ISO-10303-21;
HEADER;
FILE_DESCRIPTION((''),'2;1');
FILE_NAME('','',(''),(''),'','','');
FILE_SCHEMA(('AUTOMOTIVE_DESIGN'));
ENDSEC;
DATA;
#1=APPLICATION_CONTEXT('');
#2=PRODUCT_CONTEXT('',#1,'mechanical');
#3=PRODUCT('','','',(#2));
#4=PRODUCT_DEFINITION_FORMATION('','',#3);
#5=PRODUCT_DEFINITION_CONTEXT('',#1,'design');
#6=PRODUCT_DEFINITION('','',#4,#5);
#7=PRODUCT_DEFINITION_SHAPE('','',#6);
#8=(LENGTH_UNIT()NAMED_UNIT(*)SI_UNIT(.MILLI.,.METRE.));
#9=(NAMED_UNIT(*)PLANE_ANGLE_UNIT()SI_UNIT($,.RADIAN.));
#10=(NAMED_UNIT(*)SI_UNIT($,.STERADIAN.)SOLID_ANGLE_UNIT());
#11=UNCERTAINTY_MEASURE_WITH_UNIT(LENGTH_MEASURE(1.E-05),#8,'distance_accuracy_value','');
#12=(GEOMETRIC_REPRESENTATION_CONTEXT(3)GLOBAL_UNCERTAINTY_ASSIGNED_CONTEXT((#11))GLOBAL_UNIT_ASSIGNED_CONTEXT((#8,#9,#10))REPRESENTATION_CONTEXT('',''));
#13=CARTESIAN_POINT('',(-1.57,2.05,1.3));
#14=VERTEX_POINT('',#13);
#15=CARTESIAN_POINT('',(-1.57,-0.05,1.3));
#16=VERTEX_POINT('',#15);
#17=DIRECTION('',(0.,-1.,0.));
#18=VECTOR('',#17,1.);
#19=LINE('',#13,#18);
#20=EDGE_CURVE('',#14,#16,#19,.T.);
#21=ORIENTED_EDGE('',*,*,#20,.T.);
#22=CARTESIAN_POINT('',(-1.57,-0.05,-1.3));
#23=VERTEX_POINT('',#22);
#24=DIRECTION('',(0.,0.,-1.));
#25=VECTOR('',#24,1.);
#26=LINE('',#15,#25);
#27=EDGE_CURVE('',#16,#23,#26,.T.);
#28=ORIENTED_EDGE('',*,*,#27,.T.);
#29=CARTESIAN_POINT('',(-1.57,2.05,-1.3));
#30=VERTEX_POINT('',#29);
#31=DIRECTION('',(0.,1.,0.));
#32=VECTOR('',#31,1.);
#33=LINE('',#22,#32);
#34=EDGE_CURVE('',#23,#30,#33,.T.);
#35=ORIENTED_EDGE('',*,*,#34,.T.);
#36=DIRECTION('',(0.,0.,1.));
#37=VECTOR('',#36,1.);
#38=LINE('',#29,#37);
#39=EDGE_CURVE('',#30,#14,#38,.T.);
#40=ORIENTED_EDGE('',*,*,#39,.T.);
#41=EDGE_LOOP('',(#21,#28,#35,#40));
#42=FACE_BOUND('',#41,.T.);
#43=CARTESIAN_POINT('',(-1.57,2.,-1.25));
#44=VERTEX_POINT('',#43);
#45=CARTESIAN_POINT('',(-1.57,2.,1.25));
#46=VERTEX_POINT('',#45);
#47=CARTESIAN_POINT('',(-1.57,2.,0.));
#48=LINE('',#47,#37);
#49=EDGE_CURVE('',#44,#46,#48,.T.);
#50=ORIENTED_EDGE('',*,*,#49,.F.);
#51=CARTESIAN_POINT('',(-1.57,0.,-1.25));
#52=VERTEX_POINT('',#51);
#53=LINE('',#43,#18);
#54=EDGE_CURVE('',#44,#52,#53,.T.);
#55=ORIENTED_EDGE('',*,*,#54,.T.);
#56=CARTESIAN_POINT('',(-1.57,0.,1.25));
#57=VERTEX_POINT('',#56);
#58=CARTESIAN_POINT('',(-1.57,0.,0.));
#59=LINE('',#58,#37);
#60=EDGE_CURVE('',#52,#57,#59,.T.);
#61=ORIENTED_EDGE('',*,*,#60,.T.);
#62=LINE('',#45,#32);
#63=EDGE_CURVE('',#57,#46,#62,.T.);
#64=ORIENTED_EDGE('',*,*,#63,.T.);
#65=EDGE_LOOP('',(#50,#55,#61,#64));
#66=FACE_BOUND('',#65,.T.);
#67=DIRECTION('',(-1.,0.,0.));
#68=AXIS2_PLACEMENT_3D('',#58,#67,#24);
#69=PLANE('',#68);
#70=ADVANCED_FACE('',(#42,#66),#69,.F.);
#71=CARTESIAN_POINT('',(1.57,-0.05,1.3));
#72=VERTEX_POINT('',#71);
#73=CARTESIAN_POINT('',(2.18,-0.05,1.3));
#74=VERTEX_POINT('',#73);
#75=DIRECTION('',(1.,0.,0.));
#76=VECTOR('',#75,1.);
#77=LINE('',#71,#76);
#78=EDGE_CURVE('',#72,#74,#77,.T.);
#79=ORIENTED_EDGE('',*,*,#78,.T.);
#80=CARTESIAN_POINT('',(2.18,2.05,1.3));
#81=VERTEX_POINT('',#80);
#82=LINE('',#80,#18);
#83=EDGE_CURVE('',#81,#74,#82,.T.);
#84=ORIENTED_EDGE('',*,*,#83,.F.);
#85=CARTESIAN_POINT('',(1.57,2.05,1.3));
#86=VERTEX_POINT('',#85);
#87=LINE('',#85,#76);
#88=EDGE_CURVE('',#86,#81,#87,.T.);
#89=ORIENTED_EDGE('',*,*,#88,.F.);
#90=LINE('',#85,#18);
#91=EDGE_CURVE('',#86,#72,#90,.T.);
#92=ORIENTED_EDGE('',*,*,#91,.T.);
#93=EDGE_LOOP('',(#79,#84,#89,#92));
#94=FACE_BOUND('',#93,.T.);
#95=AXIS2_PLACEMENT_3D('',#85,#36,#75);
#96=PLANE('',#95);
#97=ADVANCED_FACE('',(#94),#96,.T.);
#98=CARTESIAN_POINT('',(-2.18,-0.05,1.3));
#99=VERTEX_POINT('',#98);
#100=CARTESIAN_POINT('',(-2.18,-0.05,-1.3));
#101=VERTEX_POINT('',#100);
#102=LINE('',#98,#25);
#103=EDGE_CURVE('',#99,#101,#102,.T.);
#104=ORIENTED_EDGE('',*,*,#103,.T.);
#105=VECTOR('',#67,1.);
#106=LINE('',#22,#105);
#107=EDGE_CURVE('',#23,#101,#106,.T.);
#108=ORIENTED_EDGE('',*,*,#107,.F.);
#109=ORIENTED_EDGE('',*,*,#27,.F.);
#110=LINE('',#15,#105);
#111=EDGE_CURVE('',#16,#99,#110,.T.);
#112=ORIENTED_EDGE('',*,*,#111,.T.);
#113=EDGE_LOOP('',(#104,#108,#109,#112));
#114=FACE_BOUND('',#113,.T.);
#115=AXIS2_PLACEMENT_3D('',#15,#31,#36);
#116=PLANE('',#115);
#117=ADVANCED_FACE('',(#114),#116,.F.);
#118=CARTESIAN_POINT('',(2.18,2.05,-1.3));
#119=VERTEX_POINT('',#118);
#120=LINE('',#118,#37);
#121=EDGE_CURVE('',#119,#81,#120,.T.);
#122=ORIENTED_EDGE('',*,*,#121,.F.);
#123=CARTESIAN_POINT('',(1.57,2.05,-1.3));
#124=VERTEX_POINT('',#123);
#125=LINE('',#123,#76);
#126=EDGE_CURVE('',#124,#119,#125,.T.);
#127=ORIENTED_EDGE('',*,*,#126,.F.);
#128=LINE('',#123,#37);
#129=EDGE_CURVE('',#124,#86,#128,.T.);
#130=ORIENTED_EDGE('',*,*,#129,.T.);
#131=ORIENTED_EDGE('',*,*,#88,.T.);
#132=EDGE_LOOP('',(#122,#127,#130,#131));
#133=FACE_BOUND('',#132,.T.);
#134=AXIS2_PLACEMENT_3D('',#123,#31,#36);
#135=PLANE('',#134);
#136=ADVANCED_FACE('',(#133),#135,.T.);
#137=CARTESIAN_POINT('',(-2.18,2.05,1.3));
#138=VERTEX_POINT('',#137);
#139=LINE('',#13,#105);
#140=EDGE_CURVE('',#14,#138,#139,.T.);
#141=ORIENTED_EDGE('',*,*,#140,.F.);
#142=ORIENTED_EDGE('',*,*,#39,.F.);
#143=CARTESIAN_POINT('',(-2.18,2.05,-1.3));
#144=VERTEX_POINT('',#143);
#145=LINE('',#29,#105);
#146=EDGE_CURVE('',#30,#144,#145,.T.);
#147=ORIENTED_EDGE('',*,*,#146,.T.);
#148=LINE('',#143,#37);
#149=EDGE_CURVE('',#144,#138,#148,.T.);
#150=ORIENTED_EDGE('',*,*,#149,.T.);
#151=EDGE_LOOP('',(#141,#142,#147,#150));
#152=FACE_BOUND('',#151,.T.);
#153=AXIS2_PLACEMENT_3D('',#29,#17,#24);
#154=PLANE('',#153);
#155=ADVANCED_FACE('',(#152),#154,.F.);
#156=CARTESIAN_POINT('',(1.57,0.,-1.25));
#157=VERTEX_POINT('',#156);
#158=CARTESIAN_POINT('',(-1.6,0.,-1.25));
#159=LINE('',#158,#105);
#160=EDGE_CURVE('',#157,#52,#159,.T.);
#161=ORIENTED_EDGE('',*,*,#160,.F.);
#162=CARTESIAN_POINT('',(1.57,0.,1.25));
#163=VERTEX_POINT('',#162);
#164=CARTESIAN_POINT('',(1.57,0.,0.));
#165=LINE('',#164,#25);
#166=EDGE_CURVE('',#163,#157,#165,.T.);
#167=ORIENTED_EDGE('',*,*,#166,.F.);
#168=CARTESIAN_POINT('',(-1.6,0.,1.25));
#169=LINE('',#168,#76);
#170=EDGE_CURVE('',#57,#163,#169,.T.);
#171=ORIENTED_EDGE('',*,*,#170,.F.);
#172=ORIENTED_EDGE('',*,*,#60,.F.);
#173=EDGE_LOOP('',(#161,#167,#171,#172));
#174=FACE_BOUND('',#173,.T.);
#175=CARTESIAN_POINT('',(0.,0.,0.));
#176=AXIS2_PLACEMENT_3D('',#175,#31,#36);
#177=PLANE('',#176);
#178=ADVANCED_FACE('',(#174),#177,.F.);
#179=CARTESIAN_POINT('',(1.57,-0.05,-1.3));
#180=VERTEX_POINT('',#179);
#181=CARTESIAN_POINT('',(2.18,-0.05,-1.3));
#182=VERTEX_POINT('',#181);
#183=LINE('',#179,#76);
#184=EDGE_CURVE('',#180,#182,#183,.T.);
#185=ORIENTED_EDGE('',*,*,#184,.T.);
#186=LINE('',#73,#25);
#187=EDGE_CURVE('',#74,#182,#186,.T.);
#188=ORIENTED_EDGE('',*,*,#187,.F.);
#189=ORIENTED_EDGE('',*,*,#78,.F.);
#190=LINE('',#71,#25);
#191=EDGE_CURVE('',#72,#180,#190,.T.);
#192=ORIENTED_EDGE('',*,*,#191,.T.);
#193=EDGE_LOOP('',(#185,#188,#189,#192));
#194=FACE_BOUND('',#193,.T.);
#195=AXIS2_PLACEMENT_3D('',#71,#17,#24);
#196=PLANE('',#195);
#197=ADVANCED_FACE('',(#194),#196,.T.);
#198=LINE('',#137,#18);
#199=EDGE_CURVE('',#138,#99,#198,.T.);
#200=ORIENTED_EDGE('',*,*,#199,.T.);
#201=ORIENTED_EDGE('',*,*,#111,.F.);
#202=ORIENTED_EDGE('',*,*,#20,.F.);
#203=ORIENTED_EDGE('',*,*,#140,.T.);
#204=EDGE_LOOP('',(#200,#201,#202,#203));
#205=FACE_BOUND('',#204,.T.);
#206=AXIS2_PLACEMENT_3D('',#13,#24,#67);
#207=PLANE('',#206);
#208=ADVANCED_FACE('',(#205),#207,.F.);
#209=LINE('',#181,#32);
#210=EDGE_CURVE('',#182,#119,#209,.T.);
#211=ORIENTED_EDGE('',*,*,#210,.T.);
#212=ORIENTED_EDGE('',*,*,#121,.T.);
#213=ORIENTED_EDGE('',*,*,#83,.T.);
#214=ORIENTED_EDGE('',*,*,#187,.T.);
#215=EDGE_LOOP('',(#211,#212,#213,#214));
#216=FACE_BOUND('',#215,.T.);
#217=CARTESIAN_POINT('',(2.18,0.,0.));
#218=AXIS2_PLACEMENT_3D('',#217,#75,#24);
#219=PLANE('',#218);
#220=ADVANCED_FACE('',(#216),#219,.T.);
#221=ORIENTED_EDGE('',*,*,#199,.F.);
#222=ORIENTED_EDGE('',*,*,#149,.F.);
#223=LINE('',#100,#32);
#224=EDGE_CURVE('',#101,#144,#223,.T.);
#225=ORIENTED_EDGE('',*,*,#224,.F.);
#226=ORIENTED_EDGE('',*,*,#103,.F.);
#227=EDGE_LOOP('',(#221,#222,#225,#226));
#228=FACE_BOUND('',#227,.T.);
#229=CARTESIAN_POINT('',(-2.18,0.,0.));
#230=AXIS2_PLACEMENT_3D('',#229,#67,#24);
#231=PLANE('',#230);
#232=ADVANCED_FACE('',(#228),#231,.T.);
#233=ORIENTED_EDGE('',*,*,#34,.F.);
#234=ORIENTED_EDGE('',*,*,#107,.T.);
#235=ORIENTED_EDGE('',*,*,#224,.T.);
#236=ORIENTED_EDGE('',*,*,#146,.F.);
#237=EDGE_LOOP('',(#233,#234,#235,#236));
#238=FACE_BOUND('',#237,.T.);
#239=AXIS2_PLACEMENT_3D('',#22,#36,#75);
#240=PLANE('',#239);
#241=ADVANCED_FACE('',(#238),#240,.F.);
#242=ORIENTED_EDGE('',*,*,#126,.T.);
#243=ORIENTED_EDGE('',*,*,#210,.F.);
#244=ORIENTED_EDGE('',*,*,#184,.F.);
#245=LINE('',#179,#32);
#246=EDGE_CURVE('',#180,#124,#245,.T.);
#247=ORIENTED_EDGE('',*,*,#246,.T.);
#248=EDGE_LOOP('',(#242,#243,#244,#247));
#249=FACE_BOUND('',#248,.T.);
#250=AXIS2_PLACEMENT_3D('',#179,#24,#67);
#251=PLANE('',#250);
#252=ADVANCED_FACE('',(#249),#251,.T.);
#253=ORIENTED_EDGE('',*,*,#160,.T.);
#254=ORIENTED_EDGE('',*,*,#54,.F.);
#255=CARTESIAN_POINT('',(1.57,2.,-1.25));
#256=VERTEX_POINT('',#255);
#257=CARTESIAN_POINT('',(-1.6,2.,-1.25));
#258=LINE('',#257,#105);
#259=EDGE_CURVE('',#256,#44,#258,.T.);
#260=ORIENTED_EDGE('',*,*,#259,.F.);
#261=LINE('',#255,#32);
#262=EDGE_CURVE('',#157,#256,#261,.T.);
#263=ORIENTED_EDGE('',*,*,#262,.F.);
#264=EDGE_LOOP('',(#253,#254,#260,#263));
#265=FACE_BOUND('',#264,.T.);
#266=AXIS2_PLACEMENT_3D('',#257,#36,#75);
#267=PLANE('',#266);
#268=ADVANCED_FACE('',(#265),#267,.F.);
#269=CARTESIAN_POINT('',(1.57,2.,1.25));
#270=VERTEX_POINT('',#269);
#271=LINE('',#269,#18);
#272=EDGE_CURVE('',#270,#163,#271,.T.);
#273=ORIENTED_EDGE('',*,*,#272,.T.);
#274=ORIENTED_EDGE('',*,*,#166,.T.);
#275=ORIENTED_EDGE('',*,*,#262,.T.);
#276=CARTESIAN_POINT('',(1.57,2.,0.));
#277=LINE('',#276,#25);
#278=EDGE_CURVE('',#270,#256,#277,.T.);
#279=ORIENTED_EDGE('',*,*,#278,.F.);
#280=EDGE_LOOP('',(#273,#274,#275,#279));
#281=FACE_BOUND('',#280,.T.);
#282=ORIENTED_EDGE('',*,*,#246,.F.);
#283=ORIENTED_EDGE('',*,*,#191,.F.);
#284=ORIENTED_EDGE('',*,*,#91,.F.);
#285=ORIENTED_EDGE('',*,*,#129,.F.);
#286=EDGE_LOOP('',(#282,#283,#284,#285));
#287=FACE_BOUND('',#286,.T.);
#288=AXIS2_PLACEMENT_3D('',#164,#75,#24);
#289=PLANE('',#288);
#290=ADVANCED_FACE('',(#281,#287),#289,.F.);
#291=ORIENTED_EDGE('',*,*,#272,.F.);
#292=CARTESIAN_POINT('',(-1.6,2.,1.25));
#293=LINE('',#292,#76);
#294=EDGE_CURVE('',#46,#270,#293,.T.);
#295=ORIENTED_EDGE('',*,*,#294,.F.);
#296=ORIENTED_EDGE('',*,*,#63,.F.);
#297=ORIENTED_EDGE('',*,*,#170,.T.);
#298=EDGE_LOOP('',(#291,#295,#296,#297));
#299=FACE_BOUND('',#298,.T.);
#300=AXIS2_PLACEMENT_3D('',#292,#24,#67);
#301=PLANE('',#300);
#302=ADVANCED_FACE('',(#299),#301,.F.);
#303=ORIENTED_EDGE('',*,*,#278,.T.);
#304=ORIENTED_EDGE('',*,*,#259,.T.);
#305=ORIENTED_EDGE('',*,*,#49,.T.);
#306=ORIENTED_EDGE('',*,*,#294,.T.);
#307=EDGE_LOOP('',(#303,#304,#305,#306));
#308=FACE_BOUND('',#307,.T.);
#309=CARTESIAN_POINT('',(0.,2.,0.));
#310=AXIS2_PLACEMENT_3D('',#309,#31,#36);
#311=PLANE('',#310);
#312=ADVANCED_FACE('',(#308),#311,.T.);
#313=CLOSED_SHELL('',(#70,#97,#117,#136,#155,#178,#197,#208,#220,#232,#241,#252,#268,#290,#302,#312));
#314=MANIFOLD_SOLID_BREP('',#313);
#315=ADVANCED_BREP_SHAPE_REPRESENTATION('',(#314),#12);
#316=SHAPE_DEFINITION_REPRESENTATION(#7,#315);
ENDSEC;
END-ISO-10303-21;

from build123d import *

# Parameters (mm, degrees)
SKETCH1_W           = 3.2
SKETCH1_H           = 2.5
BOSS_EXTRUDE1_DEPTH = 2
BOSS_EXTRUDE2_START = -0.03
SKETCH2_W           = 2.6
SKETCH2_H           = 2.1
BOSS_EXTRUDE2_DEPTH = 0.61


with BuildPart() as part:
    # Sketch1 → Boss-Extrude1 (new body)
    with BuildSketch(Plane(origin=(0, 0, 0), x_dir=(1, 0, 0), z_dir=(0, 1, 0))):
        Rectangle(SKETCH1_W, SKETCH1_H)
    extrude(amount=BOSS_EXTRUDE1_DEPTH)

    # Sketch2 → Boss-Extrude2 (add)
    with BuildSketch(Plane(origin=(1.6, 0, 0), x_dir=(0, 0, -1), z_dir=(1, 0, 0)).offset(BOSS_EXTRUDE2_START)):
        with Locations((0, 1)):
            Rectangle(SKETCH2_W, SKETCH2_H)
    boss_extrude2 = extrude(amount=BOSS_EXTRUDE2_DEPTH)

    # Mirror1: Boss-Extrude2 across plane
    add(boss_extrude2.mirror(Plane(origin=(0, 0, 0), x_dir=(0, 0, 1), z_dir=(1, 0, 0))))


solid = part.part
